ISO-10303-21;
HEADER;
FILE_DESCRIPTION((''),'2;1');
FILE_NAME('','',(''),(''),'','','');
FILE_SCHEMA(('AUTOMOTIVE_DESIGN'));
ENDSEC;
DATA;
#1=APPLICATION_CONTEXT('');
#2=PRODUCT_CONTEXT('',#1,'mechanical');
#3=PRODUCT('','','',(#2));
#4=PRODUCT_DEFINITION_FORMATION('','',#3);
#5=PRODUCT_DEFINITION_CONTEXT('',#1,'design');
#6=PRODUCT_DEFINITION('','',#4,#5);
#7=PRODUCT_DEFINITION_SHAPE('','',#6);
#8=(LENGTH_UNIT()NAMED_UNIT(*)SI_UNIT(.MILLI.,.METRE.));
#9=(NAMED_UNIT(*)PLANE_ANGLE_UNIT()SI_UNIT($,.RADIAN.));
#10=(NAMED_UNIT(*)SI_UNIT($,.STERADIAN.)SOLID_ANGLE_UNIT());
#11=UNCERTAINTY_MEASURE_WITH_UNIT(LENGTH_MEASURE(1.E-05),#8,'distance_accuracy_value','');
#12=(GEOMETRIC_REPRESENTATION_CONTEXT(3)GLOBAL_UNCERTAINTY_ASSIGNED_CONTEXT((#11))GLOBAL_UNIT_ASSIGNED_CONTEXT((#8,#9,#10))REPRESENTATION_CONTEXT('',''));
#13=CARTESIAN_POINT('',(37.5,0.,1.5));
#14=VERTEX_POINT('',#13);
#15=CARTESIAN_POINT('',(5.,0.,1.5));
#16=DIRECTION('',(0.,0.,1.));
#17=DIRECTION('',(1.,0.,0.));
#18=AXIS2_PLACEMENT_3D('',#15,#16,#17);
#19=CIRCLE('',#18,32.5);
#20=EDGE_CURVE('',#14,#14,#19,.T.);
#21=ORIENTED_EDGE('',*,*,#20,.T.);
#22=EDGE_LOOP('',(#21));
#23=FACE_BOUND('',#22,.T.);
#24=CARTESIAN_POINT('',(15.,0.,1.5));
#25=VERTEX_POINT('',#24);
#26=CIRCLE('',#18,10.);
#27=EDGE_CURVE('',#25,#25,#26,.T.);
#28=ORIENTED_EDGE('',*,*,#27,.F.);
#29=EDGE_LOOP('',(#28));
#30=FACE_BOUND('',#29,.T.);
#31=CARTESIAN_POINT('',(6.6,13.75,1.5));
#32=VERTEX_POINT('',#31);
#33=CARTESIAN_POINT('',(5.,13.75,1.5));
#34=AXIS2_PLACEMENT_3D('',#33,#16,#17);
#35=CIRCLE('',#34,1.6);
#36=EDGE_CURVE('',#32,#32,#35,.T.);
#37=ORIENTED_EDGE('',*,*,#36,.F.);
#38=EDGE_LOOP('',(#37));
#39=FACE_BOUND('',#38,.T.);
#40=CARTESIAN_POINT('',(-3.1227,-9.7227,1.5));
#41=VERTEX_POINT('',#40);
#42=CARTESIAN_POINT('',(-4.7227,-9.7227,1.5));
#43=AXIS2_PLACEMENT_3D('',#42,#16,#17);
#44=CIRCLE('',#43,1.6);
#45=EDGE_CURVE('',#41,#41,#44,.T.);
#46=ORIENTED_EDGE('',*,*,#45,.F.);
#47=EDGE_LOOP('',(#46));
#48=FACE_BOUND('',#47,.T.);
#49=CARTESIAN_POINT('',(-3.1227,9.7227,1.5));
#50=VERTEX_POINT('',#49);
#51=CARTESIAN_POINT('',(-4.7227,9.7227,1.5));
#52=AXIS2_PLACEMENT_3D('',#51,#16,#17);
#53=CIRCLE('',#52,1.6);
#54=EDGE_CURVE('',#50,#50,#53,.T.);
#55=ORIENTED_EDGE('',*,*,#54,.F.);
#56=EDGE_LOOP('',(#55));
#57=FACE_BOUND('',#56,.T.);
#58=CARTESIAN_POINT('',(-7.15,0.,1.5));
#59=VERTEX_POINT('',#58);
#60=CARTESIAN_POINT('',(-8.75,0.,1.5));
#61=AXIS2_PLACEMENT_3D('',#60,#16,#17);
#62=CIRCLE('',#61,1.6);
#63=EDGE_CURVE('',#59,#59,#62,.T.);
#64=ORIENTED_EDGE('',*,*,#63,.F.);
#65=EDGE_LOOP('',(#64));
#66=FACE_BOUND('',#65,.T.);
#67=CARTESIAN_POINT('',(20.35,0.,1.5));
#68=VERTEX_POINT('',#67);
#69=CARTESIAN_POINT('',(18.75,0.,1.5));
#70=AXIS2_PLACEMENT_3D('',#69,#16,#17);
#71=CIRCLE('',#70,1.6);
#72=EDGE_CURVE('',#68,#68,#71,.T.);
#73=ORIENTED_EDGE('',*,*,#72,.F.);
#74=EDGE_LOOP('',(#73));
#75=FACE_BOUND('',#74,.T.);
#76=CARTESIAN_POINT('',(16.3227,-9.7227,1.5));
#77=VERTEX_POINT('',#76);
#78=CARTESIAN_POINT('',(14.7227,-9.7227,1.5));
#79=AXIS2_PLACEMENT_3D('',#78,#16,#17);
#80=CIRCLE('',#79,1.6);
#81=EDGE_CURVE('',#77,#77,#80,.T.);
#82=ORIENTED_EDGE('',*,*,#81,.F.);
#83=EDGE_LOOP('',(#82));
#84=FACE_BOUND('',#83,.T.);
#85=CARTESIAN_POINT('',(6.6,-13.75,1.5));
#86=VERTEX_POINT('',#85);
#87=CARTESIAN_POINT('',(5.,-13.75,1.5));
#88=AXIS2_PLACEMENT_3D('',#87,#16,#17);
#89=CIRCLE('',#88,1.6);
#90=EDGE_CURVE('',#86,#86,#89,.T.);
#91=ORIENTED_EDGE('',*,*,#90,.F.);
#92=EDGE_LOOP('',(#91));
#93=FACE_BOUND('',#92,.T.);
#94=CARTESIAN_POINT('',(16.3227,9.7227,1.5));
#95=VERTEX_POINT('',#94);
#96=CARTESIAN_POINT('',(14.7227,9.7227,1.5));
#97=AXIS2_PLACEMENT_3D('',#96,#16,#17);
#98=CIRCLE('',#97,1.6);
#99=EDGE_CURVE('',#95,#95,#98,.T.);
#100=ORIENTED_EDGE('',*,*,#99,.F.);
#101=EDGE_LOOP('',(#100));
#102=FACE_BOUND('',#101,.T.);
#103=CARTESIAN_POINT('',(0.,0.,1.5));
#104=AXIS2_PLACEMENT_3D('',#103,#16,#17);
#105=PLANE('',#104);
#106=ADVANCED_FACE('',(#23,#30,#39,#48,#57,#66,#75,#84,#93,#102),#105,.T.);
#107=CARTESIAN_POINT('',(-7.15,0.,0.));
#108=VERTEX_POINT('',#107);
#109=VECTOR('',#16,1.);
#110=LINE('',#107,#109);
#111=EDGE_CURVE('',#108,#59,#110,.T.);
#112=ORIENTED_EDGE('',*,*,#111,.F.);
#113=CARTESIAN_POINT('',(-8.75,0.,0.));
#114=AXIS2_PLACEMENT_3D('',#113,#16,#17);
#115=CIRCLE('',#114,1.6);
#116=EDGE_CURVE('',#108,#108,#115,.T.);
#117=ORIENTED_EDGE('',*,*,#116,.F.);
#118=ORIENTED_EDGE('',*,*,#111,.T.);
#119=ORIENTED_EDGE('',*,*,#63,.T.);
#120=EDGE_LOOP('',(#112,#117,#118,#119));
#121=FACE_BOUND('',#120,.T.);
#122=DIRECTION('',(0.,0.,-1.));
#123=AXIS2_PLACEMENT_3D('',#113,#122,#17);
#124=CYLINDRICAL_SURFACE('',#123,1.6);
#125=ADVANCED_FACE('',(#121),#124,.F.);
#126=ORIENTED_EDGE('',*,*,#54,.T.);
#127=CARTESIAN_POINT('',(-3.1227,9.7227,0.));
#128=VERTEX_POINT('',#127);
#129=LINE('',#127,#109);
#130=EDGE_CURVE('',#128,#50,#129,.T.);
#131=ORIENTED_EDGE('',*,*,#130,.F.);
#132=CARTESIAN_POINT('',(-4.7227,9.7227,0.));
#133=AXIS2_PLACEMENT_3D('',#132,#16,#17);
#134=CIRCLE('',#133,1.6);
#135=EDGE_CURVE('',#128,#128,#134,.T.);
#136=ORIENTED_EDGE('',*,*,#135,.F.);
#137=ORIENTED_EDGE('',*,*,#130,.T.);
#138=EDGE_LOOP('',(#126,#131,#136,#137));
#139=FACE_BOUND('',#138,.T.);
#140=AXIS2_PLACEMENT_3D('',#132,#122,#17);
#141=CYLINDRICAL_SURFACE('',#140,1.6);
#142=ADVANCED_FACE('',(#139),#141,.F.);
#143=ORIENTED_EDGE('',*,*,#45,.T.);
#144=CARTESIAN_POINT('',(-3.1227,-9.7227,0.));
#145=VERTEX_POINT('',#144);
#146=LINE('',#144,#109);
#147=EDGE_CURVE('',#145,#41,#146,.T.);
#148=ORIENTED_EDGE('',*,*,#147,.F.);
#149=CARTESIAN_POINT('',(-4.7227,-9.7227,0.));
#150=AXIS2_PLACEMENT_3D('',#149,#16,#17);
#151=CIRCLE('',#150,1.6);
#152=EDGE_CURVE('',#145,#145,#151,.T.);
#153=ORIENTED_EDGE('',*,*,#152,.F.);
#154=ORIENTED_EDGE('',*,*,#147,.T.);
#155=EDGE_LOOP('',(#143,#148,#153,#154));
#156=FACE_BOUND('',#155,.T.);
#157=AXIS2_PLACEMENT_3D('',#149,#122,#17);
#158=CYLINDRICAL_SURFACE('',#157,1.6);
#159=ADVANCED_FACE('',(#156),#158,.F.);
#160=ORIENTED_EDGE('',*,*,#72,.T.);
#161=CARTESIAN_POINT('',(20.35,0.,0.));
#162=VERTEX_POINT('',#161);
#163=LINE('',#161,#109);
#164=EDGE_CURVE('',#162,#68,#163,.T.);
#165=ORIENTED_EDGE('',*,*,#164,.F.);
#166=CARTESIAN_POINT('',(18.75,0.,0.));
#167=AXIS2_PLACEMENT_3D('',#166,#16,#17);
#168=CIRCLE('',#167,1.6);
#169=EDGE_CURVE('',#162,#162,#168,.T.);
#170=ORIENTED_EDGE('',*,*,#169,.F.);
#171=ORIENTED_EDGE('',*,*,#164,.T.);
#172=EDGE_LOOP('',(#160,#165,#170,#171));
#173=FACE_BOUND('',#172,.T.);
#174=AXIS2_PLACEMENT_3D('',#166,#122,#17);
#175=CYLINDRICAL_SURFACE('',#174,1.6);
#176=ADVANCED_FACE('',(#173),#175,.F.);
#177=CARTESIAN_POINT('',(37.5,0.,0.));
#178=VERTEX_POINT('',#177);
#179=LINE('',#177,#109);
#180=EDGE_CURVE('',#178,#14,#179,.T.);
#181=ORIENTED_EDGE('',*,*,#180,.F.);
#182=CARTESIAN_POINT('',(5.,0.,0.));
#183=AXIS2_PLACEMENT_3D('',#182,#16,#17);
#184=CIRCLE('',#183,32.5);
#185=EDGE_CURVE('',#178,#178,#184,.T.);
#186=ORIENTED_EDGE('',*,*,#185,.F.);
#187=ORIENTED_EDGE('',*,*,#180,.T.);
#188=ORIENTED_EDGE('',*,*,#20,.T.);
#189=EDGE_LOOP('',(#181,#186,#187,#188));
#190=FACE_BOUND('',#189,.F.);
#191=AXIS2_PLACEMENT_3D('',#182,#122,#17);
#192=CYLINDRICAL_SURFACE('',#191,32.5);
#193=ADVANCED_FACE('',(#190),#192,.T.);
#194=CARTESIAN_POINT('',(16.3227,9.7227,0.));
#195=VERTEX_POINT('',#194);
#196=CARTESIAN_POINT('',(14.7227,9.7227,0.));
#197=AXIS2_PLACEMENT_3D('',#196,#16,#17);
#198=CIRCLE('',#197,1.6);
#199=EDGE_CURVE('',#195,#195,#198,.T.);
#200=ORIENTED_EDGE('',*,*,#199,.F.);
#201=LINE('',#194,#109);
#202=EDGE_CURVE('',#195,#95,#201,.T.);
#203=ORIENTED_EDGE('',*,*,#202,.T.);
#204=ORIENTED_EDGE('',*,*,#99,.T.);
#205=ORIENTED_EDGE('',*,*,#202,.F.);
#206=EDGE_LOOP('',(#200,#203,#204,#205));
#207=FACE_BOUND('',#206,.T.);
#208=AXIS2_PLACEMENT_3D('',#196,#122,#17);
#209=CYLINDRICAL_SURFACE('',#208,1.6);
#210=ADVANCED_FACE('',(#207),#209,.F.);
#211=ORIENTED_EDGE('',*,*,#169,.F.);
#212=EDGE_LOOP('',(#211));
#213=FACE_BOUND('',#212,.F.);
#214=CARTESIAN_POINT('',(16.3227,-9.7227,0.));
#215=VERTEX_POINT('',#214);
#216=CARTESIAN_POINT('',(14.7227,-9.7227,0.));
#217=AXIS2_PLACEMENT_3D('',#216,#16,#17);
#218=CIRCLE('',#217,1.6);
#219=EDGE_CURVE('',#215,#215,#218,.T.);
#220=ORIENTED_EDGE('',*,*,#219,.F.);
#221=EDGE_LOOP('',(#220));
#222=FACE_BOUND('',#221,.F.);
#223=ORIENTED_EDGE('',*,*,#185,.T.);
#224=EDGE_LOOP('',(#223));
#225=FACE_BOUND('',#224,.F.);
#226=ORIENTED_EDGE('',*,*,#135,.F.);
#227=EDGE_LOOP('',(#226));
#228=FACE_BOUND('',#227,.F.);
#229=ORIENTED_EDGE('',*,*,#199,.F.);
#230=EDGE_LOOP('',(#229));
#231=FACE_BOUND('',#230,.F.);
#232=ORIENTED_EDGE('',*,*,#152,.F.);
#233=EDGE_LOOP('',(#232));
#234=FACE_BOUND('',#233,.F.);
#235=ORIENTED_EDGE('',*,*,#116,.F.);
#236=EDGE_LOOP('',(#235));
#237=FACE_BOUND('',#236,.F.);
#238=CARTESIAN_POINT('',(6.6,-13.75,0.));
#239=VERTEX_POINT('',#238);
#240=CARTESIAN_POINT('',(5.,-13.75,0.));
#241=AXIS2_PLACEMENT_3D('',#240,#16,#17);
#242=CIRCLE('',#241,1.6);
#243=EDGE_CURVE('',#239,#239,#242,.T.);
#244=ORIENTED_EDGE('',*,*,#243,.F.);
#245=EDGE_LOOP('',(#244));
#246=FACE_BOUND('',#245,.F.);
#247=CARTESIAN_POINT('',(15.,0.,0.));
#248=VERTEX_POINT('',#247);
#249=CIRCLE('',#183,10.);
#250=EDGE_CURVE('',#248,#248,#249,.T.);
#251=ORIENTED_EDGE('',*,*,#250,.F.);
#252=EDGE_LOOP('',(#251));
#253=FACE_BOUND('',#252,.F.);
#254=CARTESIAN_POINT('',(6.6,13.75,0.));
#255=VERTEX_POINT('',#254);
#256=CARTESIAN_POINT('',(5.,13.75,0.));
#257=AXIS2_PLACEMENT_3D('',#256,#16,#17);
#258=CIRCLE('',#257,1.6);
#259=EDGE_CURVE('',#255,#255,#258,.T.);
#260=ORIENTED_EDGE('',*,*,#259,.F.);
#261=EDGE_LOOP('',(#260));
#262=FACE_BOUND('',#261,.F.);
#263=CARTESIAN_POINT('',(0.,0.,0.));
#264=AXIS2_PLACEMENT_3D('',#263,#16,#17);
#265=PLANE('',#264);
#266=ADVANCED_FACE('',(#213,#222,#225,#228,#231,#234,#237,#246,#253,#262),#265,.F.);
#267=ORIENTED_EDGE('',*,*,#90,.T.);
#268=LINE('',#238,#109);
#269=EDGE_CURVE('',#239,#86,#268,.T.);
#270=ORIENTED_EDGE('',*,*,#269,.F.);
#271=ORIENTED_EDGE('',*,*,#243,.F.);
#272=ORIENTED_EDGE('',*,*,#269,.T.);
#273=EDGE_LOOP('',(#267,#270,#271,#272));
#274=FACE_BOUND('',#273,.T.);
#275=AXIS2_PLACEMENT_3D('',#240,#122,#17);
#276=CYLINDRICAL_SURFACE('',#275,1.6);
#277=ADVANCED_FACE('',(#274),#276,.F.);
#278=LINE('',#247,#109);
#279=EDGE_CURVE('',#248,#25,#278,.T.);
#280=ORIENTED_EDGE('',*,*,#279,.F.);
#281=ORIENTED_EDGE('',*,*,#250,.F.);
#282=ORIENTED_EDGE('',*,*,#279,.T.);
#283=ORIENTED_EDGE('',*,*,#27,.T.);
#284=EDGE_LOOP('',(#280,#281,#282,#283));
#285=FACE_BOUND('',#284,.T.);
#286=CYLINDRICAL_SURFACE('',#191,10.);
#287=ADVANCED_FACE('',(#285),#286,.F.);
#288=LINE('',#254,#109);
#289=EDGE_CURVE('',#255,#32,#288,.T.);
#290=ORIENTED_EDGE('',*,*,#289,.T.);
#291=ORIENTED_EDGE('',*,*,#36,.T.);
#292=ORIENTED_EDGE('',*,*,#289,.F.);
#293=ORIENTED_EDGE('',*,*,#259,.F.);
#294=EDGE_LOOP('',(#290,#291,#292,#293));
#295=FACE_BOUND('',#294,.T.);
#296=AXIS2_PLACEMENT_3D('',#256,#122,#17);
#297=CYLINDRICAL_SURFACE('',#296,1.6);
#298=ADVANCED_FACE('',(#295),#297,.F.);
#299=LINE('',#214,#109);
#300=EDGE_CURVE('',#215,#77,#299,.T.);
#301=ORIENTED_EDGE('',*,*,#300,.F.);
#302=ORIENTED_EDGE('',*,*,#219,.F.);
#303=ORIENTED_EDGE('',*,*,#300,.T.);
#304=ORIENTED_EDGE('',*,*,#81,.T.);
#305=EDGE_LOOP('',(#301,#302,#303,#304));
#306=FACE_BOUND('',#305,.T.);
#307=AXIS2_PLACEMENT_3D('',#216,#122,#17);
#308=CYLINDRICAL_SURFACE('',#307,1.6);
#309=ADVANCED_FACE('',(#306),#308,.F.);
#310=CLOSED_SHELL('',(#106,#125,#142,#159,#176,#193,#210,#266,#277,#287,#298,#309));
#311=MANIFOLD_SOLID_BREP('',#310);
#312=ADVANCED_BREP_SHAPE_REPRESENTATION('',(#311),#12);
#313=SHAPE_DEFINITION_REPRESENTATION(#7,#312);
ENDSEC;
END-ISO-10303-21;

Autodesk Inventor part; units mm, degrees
ref_plane "YZ Plane" through (0, 0, 0) normal (1, 0, 0) x (0, 1, 0)
ref_plane "XZ Plane" through (0, 0, 0) normal (0, 1, 0) x (-1, 0, 0)
ref_plane "XY Plane" through (0, 0, 0) normal (0, 0, 1) x (1, 0, 0)
sketch "スケッチ1" plane through (0, 0, 0) normal (0, 0, 1) x (1, 0, 0)
  line L0 (25, -23) -> (-25, -23) construction
  line L1 (25, 23) -> (25, -23) construction
  line L2 (-25, 23) -> (25, 23) construction
  arc A0 (8.5, 1.9365) -> (7.0484, 3.4357) centre (7, 1.9365) ccw construction
  line L3 (8.5, 1.9365) -> (8.5, -1.9365) construction
  arc A1 (7.0484, -3.4357) -> (8.5, -1.9365) centre (7, -1.9365) ccw construction
  arc A2 (2.9516, -3.4357) -> (7.0484, -3.4357) centre (5, 0) ccw construction
  arc A3 (1.5, -1.9365) -> (2.9516, -3.4357) centre (3, -1.9365) ccw construction
  line L4 (1.5, -1.9365) -> (1.5, 1.9365) construction
  arc A4 (2.9516, 3.4357) -> (1.5, 1.9365) centre (3, 1.9365) ccw construction
  arc A5 (7.0484, 3.4357) -> (2.9516, 3.4357) centre (5, 0) ccw construction
  circle A6 centre (5, 0) radius 27.5 construction
  circle A7 centre (5, 0) radius 15.5 construction
  circle A8 centre (5, 0) radius 13.75 construction
  line L5 (25, 14) -> (25, 23) construction
  line L6 (-275, 23) -> (25, 23) construction
  line L7 (-275, 23) -> (-275, 14) projected
  line L8 (-275, 14) -> (25, 14) construction
  line L9 (25, -23) -> (25, -14) construction
  line L10 (-275, -14) -> (25, -14) construction
  line L11 (-275, -14) -> (-275, -23) projected
  line L12 (-275, -23) -> (25, -23) construction
  circle A9 centre (18.75, 0) radius 1.6
  circle A10 centre (14.7227, 9.7227) radius 1.6
  circle A11 centre (5, 13.75) radius 1.6
  circle A12 centre (-4.7227, 9.7227) radius 1.6
  circle A13 centre (-8.75, 0) radius 1.6
  circle A14 centre (-4.7227, -9.7227) radius 1.6
  circle A15 centre (5, -13.75) radius 1.6
  circle A16 centre (14.7227, -9.7227) radius 1.6
  circle A17 centre (5, 0) radius 10
  circle A18 centre (5, 0) radius 32.5
  point P0 (0, 0)
  dimension "d3" = 27.5
  dimension "d1" = 55
  dimension "d2" = 31
  dimension "d4" = 3.2
  dimension "d7" = 360
  dimension "d9" = 20
  dimension "d12" = 65
extrude "押し出し1" add sketch "スケッチ1" along normal blind 1.5
properties part number "先端アームパーツA" material "アルミニウム 6061"
